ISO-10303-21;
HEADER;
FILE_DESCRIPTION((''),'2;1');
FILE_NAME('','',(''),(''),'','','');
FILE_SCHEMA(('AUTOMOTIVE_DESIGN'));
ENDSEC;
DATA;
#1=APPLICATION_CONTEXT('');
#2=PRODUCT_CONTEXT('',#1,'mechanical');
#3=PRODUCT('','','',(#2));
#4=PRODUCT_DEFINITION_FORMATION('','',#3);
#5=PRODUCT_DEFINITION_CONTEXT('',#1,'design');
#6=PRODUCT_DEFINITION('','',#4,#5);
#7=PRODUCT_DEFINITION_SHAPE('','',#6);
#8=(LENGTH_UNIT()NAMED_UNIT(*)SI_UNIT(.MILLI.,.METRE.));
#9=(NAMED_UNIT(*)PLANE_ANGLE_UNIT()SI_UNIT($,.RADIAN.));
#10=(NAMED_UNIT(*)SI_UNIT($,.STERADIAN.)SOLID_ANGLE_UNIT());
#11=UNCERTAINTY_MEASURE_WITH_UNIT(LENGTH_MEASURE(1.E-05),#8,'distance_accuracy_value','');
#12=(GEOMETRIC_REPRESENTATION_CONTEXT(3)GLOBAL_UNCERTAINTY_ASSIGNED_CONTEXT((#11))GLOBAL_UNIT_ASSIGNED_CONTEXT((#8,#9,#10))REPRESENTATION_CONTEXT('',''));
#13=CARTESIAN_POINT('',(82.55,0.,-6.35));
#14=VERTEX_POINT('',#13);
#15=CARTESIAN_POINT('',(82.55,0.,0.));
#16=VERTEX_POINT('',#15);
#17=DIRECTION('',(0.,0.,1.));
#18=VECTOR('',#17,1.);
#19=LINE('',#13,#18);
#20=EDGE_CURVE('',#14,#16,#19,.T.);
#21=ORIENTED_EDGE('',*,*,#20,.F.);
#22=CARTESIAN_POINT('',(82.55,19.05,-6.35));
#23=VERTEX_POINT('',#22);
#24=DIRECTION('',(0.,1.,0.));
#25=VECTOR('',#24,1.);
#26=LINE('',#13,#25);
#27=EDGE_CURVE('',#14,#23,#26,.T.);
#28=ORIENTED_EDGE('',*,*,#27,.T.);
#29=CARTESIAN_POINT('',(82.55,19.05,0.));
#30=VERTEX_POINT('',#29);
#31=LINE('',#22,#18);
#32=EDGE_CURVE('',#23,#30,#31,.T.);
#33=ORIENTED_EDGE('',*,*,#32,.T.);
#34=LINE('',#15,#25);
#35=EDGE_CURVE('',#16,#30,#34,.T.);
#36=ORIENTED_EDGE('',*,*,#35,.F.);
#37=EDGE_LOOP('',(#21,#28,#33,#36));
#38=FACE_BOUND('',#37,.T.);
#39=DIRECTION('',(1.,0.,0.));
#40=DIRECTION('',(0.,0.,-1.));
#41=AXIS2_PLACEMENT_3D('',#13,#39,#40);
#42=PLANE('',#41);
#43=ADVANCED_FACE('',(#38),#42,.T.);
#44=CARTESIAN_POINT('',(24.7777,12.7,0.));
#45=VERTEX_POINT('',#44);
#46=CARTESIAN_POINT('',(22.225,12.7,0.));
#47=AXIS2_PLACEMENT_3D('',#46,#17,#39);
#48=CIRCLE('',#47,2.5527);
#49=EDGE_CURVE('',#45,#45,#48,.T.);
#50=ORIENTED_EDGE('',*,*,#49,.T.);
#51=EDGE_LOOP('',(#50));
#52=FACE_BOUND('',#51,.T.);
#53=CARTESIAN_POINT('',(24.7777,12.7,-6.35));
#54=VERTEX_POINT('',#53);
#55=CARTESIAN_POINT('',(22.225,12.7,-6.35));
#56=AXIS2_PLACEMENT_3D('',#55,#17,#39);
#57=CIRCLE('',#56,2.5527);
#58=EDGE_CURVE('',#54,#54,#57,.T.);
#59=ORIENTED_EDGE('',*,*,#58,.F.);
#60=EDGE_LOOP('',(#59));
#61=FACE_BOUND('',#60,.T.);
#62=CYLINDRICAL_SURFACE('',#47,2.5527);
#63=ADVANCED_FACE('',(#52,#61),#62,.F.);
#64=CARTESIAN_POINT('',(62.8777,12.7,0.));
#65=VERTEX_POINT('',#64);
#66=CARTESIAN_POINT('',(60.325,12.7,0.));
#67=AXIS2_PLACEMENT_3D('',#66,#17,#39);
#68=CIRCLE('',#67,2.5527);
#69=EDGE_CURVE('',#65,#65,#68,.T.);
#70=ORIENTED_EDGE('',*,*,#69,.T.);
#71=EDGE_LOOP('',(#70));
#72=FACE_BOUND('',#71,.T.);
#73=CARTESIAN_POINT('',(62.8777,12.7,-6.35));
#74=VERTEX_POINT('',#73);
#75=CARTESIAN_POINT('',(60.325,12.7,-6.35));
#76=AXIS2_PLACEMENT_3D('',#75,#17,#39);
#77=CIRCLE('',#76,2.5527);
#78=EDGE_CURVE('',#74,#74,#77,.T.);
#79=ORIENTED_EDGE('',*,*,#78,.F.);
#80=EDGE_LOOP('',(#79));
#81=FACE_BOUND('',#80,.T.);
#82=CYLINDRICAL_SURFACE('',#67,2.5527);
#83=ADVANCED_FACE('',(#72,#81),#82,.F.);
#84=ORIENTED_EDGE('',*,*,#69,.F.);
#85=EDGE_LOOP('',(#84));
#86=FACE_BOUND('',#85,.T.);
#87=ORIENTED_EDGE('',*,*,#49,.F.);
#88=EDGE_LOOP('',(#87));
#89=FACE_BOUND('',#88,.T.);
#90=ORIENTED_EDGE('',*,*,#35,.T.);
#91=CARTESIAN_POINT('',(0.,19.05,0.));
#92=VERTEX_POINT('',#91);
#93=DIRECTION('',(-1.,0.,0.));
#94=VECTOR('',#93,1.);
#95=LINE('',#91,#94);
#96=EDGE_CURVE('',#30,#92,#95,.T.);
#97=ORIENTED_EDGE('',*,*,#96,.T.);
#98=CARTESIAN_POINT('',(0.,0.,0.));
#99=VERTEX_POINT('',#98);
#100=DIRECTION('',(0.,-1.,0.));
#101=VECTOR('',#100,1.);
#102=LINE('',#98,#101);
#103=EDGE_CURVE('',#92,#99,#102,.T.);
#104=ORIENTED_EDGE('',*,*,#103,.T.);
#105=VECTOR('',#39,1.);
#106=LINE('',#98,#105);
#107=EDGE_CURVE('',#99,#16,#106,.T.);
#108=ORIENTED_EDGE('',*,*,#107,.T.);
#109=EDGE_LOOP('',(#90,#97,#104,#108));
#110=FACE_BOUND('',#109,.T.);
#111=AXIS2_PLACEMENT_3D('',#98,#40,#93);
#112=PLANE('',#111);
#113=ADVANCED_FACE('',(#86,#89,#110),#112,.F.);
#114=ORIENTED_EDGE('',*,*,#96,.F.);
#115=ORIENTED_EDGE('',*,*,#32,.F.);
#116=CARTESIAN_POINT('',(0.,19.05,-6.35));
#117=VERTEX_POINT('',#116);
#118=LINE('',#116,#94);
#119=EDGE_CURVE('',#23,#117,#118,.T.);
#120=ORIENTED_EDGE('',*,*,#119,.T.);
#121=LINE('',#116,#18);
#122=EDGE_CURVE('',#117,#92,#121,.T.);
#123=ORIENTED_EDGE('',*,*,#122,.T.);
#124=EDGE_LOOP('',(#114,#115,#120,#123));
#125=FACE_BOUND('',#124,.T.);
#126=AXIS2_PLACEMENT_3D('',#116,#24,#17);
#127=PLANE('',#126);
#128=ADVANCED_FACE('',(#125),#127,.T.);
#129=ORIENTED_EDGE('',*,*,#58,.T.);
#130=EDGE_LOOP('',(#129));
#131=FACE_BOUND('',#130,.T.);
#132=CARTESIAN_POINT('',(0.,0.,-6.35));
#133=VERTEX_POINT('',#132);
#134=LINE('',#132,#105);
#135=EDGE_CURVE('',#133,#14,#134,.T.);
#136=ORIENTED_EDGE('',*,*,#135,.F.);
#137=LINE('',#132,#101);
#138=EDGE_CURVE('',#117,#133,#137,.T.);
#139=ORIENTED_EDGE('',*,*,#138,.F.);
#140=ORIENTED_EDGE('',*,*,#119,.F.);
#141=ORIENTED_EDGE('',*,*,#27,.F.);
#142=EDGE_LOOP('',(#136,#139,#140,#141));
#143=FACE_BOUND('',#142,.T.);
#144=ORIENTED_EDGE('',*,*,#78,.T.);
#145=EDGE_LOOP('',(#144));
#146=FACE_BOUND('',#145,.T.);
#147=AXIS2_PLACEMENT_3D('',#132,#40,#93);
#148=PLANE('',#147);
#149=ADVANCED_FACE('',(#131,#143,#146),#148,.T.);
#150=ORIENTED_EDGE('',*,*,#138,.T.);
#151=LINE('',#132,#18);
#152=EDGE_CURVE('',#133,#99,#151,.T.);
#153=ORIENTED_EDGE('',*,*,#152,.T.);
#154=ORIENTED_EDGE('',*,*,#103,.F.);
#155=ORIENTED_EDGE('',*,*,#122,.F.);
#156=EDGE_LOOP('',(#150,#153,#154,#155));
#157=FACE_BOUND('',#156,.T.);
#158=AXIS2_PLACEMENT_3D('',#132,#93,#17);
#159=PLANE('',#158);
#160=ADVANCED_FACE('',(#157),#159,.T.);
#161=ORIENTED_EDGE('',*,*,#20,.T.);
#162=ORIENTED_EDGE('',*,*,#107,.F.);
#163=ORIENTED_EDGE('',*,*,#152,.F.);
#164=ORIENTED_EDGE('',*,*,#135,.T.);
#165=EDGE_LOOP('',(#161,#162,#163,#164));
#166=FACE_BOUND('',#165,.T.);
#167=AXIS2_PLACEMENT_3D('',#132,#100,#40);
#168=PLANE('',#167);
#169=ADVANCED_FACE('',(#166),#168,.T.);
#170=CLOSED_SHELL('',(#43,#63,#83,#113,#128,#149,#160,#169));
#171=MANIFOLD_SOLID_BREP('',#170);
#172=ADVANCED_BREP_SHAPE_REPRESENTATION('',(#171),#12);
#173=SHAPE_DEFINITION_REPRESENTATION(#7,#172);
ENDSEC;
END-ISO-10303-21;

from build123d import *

# Parameters (mm, degrees)
SKETCH1_W               = 82.55
SKETCH1_H               = 19.05
BOSS_EXTRUDE1_DEPTH     = 6.35
F_1_4_20_TAPPED_HOLE1_D = 5.1054


with BuildPart() as part:
    # Sketch1 → Boss-Extrude1 (new body)
    with BuildSketch(Plane.XY):
        with Locations((41.275, 9.525)):
            Rectangle(SKETCH1_W, SKETCH1_H)
    extrude(amount=-BOSS_EXTRUDE1_DEPTH)

    # 1/4-20 Tapped Hole1 (through all)
    with Locations(Plane.XY):
        with Locations((22.225, 12.7), (60.325, 12.7)):
            Hole(F_1_4_20_TAPPED_HOLE1_D / 2)


solid = part.part
